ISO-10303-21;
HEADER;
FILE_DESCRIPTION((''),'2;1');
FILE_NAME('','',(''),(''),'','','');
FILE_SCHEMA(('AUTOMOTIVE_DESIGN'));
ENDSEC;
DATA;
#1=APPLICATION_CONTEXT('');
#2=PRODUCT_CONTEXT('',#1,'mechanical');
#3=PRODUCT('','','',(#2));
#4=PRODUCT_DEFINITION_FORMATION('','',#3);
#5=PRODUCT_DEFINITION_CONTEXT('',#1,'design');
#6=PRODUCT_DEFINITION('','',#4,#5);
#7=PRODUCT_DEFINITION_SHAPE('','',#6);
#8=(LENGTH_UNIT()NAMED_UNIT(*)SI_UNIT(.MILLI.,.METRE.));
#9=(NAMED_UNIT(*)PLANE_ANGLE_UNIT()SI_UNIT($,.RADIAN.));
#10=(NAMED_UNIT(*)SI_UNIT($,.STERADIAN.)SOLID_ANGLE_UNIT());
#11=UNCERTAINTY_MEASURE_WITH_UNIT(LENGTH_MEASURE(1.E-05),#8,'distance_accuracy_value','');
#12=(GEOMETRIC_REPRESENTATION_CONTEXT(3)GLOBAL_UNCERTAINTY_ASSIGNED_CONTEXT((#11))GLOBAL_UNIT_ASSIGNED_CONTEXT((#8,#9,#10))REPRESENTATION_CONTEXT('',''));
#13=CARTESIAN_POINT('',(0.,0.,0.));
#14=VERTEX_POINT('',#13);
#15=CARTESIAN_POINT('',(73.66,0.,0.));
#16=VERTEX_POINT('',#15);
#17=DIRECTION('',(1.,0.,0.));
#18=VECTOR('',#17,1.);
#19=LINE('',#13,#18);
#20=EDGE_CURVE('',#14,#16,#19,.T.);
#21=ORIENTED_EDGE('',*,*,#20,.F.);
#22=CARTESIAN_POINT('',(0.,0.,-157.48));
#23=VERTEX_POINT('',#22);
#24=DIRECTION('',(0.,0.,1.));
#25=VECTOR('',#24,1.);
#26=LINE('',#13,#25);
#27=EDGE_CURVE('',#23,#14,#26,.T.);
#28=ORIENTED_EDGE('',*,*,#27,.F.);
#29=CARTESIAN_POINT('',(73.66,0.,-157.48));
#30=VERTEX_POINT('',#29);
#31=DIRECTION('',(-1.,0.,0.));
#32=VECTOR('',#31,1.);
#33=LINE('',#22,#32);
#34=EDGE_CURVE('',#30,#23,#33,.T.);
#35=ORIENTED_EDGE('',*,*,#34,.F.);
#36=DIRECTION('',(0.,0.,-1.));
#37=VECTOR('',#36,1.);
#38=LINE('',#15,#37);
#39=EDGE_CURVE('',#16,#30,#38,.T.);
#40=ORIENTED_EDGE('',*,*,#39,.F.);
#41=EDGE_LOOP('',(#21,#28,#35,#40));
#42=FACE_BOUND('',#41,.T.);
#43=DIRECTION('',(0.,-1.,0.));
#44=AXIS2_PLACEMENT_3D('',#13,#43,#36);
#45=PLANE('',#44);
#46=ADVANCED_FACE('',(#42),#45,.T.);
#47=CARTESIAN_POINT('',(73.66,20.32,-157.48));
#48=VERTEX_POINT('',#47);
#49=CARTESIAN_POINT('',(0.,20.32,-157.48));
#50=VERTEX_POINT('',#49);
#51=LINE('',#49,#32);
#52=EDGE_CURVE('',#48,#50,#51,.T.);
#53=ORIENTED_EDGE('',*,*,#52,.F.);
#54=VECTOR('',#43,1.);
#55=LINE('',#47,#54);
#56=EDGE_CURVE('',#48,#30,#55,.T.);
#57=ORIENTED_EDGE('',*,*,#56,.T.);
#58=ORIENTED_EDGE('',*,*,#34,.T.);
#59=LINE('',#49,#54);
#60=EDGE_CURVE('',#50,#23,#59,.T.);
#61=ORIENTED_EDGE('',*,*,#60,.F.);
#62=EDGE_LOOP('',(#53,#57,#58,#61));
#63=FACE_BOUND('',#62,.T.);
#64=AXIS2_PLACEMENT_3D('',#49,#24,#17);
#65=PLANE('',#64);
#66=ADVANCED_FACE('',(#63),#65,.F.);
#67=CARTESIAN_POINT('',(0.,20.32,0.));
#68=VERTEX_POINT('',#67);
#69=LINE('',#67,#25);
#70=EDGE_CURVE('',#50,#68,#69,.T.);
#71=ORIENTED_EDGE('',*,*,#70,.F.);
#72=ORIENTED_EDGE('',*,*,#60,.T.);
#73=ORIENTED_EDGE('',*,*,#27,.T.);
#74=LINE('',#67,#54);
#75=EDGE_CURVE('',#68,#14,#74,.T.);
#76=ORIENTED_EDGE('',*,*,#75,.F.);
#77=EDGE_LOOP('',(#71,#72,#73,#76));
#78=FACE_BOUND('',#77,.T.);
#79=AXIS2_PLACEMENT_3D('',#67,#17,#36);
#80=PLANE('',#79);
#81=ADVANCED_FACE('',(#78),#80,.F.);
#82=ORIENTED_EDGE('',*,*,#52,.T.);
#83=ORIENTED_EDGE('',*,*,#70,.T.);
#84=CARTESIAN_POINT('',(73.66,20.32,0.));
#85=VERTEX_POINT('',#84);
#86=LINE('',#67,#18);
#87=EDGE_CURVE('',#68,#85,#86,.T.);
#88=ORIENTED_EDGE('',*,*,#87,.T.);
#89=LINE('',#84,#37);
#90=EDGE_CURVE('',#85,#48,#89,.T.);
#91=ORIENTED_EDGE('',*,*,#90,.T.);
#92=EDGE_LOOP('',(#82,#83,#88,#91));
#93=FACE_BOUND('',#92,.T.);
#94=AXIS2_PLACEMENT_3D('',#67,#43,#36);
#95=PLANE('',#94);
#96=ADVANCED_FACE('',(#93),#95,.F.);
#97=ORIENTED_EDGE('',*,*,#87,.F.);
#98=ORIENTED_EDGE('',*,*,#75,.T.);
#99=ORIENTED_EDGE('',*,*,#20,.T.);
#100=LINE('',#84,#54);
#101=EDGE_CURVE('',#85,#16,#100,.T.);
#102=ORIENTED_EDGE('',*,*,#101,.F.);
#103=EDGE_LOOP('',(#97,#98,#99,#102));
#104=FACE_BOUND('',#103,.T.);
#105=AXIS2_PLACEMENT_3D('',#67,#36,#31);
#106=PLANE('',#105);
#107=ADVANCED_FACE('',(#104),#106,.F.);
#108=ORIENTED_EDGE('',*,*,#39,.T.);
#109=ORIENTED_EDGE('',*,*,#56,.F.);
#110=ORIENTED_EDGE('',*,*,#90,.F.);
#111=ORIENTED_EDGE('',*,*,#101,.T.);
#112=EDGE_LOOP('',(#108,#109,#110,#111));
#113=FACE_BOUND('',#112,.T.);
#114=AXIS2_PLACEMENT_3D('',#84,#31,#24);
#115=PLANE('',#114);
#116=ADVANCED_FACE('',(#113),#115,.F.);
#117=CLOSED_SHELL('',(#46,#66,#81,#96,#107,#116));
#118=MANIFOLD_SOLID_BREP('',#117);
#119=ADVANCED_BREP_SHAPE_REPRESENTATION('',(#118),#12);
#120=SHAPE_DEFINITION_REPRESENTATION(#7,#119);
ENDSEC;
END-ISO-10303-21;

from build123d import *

# Parameters (mm, degrees)
SKETCH1_W           = 73.66
SKETCH1_H           = 157.48
BOSS_EXTRUDE1_DEPTH = 20.32


with BuildPart() as part:
    # Sketch1 → Boss-Extrude1 (new body)
    with BuildSketch(Plane(origin=(0, 0, 0), x_dir=(1, 0, 0), z_dir=(0, 1, 0))):
        with Locations((36.83, 78.74)):
            Rectangle(SKETCH1_W, SKETCH1_H)
    extrude(amount=BOSS_EXTRUDE1_DEPTH)


solid = part.part
